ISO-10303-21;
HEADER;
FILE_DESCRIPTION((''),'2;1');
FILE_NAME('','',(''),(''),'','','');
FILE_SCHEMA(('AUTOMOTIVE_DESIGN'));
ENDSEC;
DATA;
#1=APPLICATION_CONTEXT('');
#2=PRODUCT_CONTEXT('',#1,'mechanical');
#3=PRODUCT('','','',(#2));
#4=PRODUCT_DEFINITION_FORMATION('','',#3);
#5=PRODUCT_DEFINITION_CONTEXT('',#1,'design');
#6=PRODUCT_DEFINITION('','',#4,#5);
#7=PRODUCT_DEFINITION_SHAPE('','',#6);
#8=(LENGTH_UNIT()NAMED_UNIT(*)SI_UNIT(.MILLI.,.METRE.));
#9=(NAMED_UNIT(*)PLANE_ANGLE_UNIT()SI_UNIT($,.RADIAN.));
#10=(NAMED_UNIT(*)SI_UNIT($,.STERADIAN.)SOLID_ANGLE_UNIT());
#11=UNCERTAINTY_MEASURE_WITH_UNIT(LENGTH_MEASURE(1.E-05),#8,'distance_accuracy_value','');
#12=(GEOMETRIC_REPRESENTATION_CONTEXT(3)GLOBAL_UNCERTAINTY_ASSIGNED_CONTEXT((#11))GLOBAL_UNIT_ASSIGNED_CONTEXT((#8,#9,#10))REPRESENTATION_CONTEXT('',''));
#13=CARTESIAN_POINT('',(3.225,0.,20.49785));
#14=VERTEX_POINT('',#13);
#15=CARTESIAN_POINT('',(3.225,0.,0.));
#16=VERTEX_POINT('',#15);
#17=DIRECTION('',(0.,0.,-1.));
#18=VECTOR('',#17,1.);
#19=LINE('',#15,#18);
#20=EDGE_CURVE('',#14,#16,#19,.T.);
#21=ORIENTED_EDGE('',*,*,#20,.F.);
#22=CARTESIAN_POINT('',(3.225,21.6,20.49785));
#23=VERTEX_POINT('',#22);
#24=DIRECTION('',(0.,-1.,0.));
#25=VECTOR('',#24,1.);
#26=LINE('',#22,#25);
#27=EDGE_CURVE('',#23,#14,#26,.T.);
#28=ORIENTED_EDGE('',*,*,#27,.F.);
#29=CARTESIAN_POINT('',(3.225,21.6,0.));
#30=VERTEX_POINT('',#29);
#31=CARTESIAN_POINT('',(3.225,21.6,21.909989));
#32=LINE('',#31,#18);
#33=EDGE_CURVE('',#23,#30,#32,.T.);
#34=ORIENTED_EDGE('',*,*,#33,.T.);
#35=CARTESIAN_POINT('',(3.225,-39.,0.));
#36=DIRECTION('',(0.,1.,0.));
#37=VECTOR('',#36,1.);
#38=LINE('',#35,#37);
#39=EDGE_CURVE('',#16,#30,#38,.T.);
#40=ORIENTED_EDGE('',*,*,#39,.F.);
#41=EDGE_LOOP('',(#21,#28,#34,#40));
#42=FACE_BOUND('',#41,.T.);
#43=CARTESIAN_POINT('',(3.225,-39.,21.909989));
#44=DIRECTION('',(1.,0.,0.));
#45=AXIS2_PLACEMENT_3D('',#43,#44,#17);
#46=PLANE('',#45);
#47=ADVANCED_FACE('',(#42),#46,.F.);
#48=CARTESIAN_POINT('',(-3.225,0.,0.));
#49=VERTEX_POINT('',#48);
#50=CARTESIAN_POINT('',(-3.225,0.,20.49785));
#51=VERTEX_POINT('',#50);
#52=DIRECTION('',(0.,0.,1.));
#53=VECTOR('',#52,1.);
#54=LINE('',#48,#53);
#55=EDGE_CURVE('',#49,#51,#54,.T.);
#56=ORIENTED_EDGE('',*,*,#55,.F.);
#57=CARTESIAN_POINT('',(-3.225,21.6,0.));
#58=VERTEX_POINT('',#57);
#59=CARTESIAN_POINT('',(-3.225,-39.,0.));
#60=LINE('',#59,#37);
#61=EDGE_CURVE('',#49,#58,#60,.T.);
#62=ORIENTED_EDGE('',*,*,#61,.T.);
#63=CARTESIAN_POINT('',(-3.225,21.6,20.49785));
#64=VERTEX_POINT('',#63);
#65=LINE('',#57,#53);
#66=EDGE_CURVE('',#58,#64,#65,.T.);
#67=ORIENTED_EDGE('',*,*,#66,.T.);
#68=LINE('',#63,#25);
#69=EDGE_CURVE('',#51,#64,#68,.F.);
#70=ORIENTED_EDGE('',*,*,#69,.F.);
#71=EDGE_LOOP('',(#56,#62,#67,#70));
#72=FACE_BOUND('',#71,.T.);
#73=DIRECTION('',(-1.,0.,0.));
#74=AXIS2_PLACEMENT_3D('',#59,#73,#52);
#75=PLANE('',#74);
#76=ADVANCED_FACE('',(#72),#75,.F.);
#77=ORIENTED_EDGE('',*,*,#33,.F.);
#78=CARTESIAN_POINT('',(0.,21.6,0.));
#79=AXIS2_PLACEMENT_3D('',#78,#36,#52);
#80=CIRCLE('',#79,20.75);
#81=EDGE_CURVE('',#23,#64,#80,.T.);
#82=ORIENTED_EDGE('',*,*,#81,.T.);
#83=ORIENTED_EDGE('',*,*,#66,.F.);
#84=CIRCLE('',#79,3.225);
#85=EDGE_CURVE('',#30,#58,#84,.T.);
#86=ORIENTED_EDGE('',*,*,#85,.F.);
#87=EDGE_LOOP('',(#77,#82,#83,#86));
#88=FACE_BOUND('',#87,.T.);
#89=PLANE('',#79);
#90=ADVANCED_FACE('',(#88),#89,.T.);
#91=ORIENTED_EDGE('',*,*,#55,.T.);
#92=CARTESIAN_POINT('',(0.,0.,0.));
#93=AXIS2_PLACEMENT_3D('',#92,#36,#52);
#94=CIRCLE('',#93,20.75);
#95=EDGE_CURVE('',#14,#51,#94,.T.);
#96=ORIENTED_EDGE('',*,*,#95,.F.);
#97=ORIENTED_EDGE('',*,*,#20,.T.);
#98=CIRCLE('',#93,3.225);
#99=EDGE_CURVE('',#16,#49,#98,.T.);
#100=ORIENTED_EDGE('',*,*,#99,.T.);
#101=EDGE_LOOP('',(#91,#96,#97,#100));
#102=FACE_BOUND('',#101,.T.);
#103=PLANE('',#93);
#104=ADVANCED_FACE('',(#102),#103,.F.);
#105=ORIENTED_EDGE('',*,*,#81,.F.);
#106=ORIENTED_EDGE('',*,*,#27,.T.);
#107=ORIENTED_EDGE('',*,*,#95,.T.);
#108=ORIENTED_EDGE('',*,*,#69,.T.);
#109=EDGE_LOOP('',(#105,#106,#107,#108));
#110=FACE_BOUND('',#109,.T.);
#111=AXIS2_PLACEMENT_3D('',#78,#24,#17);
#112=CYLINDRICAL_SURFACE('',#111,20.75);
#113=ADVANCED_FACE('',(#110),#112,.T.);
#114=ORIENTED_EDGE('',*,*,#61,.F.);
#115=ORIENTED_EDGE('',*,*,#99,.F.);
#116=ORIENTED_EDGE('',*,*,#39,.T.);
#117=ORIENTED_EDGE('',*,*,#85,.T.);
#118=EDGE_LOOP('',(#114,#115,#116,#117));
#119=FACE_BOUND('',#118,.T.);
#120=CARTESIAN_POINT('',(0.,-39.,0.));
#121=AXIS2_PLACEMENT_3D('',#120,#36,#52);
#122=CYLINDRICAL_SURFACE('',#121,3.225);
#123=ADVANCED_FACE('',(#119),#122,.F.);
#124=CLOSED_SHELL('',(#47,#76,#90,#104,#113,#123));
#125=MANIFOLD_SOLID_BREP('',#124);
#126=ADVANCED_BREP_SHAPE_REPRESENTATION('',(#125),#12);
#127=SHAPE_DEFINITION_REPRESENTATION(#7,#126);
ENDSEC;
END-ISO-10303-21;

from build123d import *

# Parameters (mm, degrees)
SKETCH2_R           = 20.75
BOSS_EXTRUDE1_DEPTH = 21.6
CUT_EXTRUDE1_DEPTH  = 60.6


with BuildPart() as part:
    # Sketch2 → Boss-Extrude1 (new body)
    with BuildSketch(Plane(origin=(0, 0, 0), x_dir=(1, 0, 0), z_dir=(0, 1, 0))):
        Circle(SKETCH2_R)
    extrude(amount=BOSS_EXTRUDE1_DEPTH)

    # Sketch3 → Cut-Extrude1 (cut)
    with BuildSketch(Plane(origin=(0, 21.6, 0), x_dir=(1, 0, 0), z_dir=(0, 1, 0))):
        with BuildLine():
            Line((-3.225, 0), (-3.225, -21.909989387))
            Line((-3.225, -21.909989387), (3.225, -21.909989387))
            Line((3.225, -21.909989387), (3.225, 0))
            ThreePointArc((3.225, 0), (0, 3.225), (-3.225, 0))
        make_face()
    extrude(amount=-CUT_EXTRUDE1_DEPTH, mode=Mode.SUBTRACT)


solid = part.part
